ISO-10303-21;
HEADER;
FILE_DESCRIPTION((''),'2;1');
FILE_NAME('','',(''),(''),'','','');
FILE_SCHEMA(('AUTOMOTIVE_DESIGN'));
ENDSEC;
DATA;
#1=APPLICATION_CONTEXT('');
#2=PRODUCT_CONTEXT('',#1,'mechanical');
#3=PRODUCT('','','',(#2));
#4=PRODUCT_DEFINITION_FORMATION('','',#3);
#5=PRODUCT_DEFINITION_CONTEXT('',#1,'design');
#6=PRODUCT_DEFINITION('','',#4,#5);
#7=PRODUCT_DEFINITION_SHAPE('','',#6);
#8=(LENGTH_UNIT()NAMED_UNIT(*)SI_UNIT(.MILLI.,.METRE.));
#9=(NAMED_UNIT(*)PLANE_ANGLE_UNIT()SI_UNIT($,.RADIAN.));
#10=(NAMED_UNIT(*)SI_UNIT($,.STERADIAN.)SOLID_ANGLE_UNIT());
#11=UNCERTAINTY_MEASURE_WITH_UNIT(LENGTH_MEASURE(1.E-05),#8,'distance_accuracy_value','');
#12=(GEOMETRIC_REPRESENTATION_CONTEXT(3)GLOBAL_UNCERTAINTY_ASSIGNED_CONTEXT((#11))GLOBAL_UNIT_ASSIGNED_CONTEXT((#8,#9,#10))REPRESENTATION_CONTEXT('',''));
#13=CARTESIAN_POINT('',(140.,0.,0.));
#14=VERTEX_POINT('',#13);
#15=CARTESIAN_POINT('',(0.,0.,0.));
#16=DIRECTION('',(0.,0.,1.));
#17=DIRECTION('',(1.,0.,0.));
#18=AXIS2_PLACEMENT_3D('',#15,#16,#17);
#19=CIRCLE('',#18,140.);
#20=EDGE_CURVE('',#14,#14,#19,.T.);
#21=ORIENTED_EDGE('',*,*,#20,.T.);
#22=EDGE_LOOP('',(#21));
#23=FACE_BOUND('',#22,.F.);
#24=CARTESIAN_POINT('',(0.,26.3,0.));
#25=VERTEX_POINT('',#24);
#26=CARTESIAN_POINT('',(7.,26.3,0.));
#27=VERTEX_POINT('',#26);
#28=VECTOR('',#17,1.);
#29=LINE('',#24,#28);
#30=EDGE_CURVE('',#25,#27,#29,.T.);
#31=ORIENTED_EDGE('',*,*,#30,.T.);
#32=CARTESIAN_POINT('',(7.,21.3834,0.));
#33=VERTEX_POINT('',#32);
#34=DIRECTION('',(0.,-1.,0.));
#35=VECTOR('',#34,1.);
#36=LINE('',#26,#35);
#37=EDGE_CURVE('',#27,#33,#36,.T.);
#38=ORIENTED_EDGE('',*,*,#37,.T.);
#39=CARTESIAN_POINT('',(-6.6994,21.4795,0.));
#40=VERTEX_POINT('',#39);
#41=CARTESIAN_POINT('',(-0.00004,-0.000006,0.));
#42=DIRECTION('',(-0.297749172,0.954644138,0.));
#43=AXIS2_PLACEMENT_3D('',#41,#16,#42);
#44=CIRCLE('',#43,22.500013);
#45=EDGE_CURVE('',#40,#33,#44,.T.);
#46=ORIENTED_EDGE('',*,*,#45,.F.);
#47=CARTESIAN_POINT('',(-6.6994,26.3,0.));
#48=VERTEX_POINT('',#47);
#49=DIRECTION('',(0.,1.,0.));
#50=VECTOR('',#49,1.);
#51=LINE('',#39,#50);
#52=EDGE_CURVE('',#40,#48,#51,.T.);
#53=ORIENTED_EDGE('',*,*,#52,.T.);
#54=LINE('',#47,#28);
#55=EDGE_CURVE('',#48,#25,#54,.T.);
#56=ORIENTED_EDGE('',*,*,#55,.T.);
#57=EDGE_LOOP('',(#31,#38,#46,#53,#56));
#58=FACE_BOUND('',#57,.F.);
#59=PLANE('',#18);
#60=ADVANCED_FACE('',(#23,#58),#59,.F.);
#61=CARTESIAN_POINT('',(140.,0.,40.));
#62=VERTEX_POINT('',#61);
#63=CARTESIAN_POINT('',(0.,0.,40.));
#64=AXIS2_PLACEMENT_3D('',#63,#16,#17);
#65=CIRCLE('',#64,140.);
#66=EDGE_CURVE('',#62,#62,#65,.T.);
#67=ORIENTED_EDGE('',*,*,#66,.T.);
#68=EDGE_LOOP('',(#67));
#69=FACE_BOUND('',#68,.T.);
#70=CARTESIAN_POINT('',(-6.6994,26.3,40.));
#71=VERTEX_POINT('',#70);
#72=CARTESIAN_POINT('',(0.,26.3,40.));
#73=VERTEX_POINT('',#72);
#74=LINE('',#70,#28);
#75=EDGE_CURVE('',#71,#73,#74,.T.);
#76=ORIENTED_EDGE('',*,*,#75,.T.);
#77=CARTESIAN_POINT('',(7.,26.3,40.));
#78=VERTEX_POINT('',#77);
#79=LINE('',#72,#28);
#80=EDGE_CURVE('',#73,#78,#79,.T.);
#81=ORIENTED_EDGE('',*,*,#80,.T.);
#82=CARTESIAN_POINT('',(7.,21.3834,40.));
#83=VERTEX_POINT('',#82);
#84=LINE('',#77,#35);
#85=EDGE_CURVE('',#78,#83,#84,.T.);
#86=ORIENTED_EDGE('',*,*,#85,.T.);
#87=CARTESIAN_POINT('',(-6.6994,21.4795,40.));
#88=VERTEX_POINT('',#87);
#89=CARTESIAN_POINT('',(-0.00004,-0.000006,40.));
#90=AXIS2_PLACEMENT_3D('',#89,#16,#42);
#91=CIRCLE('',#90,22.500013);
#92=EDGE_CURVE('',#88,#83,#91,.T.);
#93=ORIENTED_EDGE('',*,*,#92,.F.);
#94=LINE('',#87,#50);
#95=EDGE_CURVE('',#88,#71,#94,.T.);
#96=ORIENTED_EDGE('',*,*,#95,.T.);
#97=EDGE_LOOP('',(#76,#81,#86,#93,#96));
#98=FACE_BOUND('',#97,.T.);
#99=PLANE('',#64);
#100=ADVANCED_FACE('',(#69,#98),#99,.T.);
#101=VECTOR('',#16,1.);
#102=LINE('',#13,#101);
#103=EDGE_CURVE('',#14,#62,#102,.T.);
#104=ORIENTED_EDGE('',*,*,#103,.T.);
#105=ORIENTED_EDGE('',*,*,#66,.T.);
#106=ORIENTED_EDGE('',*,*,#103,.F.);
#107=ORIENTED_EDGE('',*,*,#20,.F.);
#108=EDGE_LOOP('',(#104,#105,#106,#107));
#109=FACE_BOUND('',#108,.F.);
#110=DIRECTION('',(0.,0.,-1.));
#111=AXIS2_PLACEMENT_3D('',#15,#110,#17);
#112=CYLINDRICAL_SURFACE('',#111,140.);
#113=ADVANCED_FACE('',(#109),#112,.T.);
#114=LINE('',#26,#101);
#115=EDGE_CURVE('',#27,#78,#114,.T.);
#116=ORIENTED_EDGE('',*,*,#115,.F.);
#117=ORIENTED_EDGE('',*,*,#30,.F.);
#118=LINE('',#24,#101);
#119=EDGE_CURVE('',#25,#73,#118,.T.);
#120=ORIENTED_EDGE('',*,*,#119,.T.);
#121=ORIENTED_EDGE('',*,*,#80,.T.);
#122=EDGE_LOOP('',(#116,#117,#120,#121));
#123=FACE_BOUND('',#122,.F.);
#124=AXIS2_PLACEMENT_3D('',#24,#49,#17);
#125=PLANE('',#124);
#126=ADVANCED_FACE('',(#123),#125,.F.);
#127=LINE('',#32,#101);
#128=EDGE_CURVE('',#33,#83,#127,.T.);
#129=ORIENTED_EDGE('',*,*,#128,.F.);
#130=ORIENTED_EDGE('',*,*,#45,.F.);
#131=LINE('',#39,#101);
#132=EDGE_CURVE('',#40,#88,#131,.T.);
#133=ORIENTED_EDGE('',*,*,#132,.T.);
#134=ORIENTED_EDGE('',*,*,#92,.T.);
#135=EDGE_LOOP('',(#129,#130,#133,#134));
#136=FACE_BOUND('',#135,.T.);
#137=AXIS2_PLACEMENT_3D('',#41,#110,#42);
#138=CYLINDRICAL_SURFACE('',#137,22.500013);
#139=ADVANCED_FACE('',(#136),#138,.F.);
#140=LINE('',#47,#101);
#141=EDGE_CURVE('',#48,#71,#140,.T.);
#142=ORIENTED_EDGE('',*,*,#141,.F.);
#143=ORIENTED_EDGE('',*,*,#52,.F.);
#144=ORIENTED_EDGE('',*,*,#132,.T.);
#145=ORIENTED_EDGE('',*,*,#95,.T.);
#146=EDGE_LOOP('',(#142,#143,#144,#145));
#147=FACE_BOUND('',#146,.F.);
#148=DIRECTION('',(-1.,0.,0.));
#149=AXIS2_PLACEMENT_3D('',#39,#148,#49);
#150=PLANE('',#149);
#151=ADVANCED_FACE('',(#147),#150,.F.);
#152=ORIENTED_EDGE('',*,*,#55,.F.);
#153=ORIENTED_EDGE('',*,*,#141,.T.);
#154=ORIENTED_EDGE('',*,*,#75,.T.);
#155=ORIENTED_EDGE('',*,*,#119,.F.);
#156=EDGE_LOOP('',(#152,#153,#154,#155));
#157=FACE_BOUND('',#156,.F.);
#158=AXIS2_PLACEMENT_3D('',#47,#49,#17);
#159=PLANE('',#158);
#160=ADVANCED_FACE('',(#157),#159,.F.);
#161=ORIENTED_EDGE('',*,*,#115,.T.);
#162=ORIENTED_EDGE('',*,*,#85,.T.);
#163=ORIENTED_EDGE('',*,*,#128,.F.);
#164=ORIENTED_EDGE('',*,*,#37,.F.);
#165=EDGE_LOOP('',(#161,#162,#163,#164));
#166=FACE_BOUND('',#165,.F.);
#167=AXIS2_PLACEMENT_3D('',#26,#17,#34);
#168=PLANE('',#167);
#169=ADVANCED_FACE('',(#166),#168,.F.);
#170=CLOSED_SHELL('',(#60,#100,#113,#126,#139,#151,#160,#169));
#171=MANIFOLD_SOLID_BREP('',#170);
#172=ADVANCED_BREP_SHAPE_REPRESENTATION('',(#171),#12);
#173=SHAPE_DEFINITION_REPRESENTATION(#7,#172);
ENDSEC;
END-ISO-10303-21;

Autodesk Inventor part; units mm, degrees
sketch "スケッチ1" plane through (0, 0, 0) normal (0, 0, 1) x (1, 0, 0)
  circle A0 centre (0, 0) radius 140
  arc A1 (-6.6994, 21.4795) -> (7, 21.3834) centre (0, 0) ccw
  line L0 (0, 22.5) -> (0, 17)
  line L1 (0, 22.5) -> (0, 26.3)
  line L2 (0, 26.3) -> (7, 26.3)
  line L3 (7, 26.3) -> (7, 21.3834)
  line L4 (7, 17) -> (0, 17)
  line L5 (-6.6994, 21.4795) -> (-6.6994, 26.3)
  line L6 (-6.6994, 26.3) -> (0, 26.3)
  dimension "d0" = 280
  dimension "d1" = 45
  dimension "d2" = 5.5
  dimension "d3" = 3.8
  dimension "d4" = 7
extrude "押し出し1" add sketch "スケッチ1" along normal blind 40
properties part number "gear2"
